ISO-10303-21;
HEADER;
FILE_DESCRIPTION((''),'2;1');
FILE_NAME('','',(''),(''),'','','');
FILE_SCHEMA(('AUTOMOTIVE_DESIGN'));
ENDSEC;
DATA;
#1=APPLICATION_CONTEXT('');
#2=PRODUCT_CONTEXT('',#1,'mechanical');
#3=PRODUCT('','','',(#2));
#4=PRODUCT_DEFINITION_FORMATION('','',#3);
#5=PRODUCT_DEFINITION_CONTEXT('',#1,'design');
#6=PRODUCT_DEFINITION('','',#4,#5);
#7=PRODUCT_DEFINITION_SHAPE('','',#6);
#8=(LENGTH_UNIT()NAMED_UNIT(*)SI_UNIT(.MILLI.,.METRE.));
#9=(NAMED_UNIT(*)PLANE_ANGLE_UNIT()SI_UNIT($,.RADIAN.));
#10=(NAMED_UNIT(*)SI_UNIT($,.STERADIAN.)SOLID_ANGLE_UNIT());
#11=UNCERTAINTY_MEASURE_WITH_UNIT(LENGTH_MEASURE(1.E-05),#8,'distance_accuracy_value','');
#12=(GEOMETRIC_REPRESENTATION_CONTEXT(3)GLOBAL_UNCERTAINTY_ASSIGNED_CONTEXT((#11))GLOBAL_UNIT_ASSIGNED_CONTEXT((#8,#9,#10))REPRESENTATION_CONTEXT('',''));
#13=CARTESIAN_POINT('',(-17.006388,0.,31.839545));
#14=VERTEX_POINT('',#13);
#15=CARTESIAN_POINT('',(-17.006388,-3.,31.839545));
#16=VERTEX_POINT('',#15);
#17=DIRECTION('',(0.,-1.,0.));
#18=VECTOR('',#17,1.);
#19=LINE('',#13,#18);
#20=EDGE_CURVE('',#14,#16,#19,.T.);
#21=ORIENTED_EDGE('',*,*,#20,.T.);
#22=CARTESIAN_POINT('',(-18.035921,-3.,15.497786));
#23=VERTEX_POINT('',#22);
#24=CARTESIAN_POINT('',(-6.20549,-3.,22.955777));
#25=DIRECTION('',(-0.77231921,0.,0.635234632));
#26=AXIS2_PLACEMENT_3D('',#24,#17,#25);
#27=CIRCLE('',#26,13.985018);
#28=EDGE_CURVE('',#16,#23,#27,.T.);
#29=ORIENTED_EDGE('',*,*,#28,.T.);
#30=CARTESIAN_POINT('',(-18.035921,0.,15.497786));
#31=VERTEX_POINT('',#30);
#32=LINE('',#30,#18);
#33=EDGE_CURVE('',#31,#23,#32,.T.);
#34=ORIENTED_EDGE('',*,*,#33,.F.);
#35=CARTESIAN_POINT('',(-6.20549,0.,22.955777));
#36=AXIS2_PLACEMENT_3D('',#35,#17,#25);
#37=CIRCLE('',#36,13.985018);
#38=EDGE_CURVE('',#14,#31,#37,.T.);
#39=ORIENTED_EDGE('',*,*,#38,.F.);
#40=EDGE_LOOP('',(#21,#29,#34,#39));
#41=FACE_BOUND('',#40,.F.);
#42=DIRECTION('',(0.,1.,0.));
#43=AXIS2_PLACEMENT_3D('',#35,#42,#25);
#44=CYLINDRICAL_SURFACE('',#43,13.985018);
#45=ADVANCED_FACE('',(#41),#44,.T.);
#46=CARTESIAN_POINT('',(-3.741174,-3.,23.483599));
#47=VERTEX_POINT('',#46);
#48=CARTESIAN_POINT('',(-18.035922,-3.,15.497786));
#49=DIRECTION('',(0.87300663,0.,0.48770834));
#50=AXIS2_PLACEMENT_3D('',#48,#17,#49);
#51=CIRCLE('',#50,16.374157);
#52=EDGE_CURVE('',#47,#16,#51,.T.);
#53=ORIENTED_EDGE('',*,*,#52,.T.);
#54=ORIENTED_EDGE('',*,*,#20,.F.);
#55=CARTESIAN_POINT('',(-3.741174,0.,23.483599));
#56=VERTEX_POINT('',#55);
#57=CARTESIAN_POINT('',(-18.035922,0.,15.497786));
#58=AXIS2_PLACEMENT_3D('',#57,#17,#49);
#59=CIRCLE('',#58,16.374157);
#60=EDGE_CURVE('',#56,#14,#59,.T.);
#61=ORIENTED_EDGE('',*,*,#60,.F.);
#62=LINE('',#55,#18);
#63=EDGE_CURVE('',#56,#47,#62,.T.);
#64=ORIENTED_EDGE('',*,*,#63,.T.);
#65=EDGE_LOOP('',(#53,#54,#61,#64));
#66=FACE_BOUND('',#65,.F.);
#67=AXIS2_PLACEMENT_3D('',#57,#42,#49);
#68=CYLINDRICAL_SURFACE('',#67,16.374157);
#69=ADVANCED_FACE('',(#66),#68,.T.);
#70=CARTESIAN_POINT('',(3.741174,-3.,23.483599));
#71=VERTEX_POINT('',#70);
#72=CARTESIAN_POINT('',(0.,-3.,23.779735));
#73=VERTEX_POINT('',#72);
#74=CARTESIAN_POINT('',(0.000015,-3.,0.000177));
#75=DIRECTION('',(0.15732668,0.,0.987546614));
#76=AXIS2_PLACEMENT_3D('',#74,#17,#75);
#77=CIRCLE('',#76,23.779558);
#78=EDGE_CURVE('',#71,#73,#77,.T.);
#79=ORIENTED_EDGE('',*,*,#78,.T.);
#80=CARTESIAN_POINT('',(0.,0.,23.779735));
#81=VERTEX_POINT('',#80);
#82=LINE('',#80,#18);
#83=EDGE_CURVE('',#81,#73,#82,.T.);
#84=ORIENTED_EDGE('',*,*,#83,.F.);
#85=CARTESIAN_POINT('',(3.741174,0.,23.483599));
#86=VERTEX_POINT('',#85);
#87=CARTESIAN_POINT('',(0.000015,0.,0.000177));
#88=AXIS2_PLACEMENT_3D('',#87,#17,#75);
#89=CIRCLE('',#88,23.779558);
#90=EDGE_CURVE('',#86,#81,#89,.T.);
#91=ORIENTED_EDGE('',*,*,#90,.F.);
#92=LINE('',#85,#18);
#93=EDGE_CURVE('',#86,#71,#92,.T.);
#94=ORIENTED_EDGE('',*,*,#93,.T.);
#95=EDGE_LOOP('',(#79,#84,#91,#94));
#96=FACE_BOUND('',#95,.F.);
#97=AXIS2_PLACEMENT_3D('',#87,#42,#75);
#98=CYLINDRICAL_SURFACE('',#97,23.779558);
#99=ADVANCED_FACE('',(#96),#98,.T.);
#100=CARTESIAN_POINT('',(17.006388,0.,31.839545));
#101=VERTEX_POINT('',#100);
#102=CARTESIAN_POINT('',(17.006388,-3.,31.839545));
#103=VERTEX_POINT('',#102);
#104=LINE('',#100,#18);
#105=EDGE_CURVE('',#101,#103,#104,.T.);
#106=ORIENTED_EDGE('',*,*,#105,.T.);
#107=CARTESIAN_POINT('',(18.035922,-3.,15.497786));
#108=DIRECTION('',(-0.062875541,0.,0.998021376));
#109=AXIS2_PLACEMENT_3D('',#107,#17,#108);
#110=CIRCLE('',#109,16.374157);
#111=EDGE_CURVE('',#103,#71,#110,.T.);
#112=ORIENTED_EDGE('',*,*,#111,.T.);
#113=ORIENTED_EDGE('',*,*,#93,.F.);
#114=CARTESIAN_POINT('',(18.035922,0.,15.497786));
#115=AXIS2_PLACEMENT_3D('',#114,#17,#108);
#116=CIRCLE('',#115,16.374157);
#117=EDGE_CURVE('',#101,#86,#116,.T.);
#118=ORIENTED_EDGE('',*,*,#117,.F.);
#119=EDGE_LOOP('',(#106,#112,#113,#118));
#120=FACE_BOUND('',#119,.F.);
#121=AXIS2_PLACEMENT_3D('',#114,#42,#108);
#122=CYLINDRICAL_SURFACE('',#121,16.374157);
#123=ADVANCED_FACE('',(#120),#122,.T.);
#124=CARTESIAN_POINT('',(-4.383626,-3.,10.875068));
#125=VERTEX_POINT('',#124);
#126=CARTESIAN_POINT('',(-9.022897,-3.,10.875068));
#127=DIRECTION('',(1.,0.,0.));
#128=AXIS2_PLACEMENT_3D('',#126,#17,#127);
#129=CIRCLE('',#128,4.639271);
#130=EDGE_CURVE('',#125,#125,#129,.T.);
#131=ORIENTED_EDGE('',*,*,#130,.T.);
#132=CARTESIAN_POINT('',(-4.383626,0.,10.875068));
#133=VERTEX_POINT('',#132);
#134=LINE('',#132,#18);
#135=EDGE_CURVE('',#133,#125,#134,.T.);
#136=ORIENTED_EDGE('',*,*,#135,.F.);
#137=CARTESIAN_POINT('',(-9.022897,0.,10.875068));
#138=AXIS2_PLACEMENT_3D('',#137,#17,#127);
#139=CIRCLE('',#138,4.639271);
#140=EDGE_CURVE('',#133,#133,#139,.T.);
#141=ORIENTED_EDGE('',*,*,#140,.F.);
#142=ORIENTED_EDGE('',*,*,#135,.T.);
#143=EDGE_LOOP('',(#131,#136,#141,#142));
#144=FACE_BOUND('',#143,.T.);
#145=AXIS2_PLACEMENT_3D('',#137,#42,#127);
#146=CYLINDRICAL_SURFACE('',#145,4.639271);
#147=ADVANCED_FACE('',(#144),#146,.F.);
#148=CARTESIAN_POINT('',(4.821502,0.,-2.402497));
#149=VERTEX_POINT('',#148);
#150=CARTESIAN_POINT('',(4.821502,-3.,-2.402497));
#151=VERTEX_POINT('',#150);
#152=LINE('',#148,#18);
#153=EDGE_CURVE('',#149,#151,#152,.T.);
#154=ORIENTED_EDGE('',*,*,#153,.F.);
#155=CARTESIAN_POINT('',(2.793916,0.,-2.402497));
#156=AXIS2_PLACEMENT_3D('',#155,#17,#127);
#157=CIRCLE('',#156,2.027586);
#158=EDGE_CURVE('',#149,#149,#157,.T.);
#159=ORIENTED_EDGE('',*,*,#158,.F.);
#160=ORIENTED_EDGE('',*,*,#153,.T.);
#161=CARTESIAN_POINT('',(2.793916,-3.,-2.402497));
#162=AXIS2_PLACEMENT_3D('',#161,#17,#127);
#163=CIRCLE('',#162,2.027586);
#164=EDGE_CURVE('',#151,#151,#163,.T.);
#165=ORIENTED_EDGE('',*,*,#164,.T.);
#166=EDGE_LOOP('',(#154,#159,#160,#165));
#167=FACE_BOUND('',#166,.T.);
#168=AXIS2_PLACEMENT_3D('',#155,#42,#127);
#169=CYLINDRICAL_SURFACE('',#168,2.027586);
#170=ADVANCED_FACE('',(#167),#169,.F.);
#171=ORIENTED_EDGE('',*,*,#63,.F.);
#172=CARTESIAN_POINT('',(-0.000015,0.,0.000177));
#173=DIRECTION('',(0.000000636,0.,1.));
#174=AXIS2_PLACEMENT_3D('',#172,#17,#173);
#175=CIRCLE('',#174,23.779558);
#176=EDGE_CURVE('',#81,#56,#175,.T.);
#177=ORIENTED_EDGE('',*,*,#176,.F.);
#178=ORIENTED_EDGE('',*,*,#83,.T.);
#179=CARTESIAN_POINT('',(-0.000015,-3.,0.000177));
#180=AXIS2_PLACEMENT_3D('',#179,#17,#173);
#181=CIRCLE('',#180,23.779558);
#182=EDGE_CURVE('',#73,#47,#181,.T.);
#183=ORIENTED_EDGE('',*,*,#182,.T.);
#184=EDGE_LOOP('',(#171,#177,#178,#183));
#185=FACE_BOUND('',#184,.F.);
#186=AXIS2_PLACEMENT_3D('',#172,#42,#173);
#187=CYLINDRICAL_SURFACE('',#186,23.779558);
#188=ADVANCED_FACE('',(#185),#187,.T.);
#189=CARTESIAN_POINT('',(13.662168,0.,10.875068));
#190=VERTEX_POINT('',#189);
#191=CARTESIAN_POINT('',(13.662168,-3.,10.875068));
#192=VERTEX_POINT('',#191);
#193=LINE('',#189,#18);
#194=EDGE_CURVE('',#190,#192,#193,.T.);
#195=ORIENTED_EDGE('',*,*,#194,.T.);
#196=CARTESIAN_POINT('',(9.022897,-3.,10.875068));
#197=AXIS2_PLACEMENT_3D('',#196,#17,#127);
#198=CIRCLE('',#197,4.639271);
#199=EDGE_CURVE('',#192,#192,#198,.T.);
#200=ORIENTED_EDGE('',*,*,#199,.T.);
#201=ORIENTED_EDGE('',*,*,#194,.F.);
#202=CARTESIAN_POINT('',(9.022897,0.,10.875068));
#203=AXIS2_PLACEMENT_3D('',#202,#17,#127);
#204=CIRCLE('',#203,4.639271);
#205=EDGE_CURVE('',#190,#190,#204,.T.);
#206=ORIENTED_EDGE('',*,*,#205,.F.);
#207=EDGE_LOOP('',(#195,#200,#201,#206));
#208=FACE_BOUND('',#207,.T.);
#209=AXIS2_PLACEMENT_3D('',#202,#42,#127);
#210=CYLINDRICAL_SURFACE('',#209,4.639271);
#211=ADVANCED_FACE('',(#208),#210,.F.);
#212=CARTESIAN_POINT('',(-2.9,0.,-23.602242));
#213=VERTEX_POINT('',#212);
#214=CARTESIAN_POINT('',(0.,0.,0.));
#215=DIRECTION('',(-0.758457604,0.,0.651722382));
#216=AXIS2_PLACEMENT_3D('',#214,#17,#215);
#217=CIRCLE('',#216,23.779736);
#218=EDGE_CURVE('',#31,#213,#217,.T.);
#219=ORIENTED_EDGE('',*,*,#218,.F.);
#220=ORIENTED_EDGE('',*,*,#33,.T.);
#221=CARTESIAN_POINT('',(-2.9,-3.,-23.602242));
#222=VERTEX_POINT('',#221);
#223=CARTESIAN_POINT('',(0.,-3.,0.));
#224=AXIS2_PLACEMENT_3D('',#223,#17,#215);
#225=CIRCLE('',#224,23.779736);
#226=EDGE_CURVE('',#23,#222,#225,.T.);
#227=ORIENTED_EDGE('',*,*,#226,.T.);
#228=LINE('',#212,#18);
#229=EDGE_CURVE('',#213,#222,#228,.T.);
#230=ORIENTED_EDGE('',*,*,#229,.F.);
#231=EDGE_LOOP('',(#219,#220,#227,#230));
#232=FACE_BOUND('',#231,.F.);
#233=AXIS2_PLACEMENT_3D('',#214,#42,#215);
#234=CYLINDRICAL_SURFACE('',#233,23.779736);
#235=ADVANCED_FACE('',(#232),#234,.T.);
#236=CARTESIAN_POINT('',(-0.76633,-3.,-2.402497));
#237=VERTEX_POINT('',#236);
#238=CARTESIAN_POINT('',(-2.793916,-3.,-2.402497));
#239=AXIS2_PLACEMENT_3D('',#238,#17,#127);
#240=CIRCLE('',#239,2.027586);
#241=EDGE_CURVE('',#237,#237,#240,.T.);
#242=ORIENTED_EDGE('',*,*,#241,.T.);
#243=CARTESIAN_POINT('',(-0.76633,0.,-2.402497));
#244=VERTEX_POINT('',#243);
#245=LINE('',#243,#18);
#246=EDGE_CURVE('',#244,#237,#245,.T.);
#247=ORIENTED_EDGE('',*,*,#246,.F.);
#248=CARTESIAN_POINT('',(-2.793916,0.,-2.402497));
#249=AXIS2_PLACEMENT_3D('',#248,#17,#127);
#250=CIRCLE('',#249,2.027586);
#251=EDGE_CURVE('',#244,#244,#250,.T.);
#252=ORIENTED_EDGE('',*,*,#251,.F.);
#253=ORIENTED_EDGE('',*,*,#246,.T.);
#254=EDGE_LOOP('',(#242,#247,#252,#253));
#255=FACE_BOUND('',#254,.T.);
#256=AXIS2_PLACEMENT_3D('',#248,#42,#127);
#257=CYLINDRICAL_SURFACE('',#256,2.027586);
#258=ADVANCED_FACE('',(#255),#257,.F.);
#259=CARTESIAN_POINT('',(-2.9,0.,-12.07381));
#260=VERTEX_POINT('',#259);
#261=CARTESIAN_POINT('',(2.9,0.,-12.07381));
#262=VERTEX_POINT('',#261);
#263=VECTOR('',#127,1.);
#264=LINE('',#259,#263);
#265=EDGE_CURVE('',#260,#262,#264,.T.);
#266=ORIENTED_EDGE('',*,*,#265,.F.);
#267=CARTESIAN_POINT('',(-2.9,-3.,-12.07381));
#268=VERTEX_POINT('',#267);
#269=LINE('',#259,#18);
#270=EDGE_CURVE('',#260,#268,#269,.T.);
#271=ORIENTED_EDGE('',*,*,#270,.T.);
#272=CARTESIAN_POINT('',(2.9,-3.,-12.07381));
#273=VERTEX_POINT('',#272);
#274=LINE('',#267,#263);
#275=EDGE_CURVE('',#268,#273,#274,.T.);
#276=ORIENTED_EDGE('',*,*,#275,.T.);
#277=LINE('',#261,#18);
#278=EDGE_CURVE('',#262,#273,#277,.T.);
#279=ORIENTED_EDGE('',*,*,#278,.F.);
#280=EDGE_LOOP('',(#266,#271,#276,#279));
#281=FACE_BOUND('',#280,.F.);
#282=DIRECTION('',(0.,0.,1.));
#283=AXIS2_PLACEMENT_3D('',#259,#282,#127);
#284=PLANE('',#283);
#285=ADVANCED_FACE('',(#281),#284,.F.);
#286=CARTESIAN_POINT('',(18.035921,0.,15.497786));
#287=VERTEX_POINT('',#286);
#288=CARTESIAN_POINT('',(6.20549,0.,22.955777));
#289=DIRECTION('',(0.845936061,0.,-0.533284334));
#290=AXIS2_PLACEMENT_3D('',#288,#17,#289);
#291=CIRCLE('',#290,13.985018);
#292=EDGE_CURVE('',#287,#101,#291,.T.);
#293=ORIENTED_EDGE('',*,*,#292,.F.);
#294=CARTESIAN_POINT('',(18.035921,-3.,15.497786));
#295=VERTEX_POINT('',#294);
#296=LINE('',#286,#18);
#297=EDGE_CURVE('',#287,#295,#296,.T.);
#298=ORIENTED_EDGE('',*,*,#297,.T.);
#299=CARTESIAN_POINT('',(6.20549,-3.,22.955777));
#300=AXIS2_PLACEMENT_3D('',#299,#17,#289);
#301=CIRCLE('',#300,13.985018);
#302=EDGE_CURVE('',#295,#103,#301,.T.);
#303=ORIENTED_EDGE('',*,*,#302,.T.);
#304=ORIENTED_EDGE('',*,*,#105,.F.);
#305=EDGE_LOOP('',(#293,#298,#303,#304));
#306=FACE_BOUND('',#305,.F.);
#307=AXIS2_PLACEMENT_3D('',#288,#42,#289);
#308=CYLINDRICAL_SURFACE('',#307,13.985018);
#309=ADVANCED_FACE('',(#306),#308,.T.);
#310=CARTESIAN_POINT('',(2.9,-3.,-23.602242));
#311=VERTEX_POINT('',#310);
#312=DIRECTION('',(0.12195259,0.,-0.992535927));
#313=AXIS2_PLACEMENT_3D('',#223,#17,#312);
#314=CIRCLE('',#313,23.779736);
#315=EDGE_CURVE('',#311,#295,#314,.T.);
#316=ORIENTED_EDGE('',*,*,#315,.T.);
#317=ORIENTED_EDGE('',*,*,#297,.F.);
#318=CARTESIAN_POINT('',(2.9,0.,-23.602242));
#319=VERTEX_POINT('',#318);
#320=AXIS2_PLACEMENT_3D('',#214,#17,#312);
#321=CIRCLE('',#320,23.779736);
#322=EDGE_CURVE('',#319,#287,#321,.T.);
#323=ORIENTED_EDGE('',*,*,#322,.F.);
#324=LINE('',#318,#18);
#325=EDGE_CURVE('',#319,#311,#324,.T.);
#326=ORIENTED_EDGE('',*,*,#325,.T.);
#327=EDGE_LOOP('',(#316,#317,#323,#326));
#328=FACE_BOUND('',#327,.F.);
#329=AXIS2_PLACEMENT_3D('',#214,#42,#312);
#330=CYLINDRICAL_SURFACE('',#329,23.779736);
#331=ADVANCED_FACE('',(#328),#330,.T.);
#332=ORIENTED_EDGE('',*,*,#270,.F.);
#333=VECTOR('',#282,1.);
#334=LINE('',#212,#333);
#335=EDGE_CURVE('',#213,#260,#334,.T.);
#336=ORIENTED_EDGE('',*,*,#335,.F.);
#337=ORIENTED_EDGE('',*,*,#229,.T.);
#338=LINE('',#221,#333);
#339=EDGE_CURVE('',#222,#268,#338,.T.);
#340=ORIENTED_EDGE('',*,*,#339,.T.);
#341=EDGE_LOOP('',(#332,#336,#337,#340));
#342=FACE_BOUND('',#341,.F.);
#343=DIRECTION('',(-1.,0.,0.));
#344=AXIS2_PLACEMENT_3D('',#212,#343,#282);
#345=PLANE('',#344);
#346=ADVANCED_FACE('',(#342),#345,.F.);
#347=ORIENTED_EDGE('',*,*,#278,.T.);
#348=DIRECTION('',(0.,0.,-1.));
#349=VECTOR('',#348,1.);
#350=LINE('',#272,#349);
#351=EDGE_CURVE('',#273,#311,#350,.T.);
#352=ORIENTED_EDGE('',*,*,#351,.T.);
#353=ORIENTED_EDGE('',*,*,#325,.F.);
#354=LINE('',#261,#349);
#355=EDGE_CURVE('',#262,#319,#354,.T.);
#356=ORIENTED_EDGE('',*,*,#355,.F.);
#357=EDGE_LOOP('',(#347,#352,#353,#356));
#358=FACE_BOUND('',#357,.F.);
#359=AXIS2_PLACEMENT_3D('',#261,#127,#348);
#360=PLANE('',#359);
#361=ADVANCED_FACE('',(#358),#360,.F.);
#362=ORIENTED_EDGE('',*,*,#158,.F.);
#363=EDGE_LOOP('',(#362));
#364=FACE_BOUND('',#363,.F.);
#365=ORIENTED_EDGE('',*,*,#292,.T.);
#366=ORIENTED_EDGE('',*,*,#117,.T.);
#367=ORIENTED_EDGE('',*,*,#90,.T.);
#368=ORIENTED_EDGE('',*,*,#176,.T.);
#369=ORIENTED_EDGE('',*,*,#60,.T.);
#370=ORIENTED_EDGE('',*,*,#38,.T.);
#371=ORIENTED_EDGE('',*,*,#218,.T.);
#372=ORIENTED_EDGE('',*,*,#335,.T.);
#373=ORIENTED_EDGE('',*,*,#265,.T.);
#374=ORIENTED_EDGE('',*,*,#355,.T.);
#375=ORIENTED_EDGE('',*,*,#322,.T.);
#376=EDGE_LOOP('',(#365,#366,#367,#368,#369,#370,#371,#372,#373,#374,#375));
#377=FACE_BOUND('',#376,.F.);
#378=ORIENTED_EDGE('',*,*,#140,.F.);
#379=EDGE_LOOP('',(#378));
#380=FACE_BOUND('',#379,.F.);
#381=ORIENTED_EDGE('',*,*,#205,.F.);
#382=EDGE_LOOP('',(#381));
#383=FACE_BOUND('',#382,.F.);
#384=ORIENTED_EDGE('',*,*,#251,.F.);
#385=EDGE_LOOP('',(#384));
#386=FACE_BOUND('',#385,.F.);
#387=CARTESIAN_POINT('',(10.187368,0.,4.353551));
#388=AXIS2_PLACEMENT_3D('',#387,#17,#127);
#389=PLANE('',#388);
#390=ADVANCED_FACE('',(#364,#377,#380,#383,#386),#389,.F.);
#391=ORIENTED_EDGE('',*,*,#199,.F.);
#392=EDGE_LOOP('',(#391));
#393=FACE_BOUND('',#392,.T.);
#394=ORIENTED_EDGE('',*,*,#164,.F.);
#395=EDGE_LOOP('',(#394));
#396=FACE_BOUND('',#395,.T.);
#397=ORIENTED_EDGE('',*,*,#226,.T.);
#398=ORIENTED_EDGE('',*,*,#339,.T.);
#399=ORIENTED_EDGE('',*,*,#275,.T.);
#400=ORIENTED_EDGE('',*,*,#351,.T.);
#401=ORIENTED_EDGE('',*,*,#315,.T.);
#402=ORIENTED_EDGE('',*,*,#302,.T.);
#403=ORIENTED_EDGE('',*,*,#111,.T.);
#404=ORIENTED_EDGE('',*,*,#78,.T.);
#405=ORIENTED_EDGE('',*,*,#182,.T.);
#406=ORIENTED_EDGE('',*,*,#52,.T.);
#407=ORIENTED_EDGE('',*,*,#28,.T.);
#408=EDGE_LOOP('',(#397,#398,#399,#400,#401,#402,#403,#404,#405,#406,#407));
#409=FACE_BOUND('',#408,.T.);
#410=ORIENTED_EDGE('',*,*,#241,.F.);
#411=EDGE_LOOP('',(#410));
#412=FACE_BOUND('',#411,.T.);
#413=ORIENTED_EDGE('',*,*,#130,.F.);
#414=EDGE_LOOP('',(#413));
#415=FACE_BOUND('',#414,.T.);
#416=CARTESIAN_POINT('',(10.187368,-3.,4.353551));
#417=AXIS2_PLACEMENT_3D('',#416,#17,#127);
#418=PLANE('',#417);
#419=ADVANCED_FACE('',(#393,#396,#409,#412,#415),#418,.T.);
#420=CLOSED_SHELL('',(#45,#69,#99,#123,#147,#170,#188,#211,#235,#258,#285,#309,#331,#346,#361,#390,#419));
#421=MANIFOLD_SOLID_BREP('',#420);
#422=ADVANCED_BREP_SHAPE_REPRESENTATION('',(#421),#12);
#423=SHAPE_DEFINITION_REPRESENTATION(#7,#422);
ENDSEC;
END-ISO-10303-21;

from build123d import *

# Parameters (mm, degrees)
F0_R     = 2.027586
F0_R_2   = 4.639271
F1_DEPTH = 3


with BuildPart() as f1:
    # F0 (on Front) → F1 (new body)
    with BuildSketch(Plane.XZ):
        with BuildLine():
            Line((2.9, -12.07381), (2.9, -23.602242))
            ThreePointArc((2.9, -23.602242), (22.176141, -8.584555), (18.035921, 15.497786))
            ThreePointArc((18.035921, 15.497786), (20.162837, 23.835091), (17.006388, 31.839545))
            ThreePointArc((17.006388, 31.839545), (9.308731, 29.352358), (3.741174, 23.483599))
            ThreePointArc((3.741174, 23.483599), (1.876438, 23.705586), (0, 23.779735))
            Line((0, 23.779735), (0, -12.07381))
            Line((0, -12.07381), (2.9, -12.07381))
        make_face()
        with Locations((2.793916, -2.402497)):
            Circle(F0_R, mode=Mode.SUBTRACT)
        with Locations((9.022897, 10.875068)):
            Circle(F0_R_2, mode=Mode.SUBTRACT)
        with BuildLine():
            Line((-2.9, -12.07381), (0, -12.07381))
            Line((0, -12.07381), (0, 23.779735))
            ThreePointArc((0, 23.779735), (-1.876438, 23.705586), (-3.741174, 23.483599))
            ThreePointArc((-3.741174, 23.483599), (-9.308731, 29.352358), (-17.006388, 31.839545))
            ThreePointArc((-17.006388, 31.839545), (-20.162837, 23.835091), (-18.035921, 15.497786))
            ThreePointArc((-18.035921, 15.497786), (-22.176141, -8.584555), (-2.9, -23.602242))
            Line((-2.9, -23.602242), (-2.9, -12.07381))
        make_face()
        with Locations((-2.793916, -2.402497)):
            Circle(F0_R, mode=Mode.SUBTRACT)
        with Locations((-9.022897, 10.875068)):
            Circle(F0_R_2, mode=Mode.SUBTRACT)
    extrude(amount=F1_DEPTH)


solid = f1.part
